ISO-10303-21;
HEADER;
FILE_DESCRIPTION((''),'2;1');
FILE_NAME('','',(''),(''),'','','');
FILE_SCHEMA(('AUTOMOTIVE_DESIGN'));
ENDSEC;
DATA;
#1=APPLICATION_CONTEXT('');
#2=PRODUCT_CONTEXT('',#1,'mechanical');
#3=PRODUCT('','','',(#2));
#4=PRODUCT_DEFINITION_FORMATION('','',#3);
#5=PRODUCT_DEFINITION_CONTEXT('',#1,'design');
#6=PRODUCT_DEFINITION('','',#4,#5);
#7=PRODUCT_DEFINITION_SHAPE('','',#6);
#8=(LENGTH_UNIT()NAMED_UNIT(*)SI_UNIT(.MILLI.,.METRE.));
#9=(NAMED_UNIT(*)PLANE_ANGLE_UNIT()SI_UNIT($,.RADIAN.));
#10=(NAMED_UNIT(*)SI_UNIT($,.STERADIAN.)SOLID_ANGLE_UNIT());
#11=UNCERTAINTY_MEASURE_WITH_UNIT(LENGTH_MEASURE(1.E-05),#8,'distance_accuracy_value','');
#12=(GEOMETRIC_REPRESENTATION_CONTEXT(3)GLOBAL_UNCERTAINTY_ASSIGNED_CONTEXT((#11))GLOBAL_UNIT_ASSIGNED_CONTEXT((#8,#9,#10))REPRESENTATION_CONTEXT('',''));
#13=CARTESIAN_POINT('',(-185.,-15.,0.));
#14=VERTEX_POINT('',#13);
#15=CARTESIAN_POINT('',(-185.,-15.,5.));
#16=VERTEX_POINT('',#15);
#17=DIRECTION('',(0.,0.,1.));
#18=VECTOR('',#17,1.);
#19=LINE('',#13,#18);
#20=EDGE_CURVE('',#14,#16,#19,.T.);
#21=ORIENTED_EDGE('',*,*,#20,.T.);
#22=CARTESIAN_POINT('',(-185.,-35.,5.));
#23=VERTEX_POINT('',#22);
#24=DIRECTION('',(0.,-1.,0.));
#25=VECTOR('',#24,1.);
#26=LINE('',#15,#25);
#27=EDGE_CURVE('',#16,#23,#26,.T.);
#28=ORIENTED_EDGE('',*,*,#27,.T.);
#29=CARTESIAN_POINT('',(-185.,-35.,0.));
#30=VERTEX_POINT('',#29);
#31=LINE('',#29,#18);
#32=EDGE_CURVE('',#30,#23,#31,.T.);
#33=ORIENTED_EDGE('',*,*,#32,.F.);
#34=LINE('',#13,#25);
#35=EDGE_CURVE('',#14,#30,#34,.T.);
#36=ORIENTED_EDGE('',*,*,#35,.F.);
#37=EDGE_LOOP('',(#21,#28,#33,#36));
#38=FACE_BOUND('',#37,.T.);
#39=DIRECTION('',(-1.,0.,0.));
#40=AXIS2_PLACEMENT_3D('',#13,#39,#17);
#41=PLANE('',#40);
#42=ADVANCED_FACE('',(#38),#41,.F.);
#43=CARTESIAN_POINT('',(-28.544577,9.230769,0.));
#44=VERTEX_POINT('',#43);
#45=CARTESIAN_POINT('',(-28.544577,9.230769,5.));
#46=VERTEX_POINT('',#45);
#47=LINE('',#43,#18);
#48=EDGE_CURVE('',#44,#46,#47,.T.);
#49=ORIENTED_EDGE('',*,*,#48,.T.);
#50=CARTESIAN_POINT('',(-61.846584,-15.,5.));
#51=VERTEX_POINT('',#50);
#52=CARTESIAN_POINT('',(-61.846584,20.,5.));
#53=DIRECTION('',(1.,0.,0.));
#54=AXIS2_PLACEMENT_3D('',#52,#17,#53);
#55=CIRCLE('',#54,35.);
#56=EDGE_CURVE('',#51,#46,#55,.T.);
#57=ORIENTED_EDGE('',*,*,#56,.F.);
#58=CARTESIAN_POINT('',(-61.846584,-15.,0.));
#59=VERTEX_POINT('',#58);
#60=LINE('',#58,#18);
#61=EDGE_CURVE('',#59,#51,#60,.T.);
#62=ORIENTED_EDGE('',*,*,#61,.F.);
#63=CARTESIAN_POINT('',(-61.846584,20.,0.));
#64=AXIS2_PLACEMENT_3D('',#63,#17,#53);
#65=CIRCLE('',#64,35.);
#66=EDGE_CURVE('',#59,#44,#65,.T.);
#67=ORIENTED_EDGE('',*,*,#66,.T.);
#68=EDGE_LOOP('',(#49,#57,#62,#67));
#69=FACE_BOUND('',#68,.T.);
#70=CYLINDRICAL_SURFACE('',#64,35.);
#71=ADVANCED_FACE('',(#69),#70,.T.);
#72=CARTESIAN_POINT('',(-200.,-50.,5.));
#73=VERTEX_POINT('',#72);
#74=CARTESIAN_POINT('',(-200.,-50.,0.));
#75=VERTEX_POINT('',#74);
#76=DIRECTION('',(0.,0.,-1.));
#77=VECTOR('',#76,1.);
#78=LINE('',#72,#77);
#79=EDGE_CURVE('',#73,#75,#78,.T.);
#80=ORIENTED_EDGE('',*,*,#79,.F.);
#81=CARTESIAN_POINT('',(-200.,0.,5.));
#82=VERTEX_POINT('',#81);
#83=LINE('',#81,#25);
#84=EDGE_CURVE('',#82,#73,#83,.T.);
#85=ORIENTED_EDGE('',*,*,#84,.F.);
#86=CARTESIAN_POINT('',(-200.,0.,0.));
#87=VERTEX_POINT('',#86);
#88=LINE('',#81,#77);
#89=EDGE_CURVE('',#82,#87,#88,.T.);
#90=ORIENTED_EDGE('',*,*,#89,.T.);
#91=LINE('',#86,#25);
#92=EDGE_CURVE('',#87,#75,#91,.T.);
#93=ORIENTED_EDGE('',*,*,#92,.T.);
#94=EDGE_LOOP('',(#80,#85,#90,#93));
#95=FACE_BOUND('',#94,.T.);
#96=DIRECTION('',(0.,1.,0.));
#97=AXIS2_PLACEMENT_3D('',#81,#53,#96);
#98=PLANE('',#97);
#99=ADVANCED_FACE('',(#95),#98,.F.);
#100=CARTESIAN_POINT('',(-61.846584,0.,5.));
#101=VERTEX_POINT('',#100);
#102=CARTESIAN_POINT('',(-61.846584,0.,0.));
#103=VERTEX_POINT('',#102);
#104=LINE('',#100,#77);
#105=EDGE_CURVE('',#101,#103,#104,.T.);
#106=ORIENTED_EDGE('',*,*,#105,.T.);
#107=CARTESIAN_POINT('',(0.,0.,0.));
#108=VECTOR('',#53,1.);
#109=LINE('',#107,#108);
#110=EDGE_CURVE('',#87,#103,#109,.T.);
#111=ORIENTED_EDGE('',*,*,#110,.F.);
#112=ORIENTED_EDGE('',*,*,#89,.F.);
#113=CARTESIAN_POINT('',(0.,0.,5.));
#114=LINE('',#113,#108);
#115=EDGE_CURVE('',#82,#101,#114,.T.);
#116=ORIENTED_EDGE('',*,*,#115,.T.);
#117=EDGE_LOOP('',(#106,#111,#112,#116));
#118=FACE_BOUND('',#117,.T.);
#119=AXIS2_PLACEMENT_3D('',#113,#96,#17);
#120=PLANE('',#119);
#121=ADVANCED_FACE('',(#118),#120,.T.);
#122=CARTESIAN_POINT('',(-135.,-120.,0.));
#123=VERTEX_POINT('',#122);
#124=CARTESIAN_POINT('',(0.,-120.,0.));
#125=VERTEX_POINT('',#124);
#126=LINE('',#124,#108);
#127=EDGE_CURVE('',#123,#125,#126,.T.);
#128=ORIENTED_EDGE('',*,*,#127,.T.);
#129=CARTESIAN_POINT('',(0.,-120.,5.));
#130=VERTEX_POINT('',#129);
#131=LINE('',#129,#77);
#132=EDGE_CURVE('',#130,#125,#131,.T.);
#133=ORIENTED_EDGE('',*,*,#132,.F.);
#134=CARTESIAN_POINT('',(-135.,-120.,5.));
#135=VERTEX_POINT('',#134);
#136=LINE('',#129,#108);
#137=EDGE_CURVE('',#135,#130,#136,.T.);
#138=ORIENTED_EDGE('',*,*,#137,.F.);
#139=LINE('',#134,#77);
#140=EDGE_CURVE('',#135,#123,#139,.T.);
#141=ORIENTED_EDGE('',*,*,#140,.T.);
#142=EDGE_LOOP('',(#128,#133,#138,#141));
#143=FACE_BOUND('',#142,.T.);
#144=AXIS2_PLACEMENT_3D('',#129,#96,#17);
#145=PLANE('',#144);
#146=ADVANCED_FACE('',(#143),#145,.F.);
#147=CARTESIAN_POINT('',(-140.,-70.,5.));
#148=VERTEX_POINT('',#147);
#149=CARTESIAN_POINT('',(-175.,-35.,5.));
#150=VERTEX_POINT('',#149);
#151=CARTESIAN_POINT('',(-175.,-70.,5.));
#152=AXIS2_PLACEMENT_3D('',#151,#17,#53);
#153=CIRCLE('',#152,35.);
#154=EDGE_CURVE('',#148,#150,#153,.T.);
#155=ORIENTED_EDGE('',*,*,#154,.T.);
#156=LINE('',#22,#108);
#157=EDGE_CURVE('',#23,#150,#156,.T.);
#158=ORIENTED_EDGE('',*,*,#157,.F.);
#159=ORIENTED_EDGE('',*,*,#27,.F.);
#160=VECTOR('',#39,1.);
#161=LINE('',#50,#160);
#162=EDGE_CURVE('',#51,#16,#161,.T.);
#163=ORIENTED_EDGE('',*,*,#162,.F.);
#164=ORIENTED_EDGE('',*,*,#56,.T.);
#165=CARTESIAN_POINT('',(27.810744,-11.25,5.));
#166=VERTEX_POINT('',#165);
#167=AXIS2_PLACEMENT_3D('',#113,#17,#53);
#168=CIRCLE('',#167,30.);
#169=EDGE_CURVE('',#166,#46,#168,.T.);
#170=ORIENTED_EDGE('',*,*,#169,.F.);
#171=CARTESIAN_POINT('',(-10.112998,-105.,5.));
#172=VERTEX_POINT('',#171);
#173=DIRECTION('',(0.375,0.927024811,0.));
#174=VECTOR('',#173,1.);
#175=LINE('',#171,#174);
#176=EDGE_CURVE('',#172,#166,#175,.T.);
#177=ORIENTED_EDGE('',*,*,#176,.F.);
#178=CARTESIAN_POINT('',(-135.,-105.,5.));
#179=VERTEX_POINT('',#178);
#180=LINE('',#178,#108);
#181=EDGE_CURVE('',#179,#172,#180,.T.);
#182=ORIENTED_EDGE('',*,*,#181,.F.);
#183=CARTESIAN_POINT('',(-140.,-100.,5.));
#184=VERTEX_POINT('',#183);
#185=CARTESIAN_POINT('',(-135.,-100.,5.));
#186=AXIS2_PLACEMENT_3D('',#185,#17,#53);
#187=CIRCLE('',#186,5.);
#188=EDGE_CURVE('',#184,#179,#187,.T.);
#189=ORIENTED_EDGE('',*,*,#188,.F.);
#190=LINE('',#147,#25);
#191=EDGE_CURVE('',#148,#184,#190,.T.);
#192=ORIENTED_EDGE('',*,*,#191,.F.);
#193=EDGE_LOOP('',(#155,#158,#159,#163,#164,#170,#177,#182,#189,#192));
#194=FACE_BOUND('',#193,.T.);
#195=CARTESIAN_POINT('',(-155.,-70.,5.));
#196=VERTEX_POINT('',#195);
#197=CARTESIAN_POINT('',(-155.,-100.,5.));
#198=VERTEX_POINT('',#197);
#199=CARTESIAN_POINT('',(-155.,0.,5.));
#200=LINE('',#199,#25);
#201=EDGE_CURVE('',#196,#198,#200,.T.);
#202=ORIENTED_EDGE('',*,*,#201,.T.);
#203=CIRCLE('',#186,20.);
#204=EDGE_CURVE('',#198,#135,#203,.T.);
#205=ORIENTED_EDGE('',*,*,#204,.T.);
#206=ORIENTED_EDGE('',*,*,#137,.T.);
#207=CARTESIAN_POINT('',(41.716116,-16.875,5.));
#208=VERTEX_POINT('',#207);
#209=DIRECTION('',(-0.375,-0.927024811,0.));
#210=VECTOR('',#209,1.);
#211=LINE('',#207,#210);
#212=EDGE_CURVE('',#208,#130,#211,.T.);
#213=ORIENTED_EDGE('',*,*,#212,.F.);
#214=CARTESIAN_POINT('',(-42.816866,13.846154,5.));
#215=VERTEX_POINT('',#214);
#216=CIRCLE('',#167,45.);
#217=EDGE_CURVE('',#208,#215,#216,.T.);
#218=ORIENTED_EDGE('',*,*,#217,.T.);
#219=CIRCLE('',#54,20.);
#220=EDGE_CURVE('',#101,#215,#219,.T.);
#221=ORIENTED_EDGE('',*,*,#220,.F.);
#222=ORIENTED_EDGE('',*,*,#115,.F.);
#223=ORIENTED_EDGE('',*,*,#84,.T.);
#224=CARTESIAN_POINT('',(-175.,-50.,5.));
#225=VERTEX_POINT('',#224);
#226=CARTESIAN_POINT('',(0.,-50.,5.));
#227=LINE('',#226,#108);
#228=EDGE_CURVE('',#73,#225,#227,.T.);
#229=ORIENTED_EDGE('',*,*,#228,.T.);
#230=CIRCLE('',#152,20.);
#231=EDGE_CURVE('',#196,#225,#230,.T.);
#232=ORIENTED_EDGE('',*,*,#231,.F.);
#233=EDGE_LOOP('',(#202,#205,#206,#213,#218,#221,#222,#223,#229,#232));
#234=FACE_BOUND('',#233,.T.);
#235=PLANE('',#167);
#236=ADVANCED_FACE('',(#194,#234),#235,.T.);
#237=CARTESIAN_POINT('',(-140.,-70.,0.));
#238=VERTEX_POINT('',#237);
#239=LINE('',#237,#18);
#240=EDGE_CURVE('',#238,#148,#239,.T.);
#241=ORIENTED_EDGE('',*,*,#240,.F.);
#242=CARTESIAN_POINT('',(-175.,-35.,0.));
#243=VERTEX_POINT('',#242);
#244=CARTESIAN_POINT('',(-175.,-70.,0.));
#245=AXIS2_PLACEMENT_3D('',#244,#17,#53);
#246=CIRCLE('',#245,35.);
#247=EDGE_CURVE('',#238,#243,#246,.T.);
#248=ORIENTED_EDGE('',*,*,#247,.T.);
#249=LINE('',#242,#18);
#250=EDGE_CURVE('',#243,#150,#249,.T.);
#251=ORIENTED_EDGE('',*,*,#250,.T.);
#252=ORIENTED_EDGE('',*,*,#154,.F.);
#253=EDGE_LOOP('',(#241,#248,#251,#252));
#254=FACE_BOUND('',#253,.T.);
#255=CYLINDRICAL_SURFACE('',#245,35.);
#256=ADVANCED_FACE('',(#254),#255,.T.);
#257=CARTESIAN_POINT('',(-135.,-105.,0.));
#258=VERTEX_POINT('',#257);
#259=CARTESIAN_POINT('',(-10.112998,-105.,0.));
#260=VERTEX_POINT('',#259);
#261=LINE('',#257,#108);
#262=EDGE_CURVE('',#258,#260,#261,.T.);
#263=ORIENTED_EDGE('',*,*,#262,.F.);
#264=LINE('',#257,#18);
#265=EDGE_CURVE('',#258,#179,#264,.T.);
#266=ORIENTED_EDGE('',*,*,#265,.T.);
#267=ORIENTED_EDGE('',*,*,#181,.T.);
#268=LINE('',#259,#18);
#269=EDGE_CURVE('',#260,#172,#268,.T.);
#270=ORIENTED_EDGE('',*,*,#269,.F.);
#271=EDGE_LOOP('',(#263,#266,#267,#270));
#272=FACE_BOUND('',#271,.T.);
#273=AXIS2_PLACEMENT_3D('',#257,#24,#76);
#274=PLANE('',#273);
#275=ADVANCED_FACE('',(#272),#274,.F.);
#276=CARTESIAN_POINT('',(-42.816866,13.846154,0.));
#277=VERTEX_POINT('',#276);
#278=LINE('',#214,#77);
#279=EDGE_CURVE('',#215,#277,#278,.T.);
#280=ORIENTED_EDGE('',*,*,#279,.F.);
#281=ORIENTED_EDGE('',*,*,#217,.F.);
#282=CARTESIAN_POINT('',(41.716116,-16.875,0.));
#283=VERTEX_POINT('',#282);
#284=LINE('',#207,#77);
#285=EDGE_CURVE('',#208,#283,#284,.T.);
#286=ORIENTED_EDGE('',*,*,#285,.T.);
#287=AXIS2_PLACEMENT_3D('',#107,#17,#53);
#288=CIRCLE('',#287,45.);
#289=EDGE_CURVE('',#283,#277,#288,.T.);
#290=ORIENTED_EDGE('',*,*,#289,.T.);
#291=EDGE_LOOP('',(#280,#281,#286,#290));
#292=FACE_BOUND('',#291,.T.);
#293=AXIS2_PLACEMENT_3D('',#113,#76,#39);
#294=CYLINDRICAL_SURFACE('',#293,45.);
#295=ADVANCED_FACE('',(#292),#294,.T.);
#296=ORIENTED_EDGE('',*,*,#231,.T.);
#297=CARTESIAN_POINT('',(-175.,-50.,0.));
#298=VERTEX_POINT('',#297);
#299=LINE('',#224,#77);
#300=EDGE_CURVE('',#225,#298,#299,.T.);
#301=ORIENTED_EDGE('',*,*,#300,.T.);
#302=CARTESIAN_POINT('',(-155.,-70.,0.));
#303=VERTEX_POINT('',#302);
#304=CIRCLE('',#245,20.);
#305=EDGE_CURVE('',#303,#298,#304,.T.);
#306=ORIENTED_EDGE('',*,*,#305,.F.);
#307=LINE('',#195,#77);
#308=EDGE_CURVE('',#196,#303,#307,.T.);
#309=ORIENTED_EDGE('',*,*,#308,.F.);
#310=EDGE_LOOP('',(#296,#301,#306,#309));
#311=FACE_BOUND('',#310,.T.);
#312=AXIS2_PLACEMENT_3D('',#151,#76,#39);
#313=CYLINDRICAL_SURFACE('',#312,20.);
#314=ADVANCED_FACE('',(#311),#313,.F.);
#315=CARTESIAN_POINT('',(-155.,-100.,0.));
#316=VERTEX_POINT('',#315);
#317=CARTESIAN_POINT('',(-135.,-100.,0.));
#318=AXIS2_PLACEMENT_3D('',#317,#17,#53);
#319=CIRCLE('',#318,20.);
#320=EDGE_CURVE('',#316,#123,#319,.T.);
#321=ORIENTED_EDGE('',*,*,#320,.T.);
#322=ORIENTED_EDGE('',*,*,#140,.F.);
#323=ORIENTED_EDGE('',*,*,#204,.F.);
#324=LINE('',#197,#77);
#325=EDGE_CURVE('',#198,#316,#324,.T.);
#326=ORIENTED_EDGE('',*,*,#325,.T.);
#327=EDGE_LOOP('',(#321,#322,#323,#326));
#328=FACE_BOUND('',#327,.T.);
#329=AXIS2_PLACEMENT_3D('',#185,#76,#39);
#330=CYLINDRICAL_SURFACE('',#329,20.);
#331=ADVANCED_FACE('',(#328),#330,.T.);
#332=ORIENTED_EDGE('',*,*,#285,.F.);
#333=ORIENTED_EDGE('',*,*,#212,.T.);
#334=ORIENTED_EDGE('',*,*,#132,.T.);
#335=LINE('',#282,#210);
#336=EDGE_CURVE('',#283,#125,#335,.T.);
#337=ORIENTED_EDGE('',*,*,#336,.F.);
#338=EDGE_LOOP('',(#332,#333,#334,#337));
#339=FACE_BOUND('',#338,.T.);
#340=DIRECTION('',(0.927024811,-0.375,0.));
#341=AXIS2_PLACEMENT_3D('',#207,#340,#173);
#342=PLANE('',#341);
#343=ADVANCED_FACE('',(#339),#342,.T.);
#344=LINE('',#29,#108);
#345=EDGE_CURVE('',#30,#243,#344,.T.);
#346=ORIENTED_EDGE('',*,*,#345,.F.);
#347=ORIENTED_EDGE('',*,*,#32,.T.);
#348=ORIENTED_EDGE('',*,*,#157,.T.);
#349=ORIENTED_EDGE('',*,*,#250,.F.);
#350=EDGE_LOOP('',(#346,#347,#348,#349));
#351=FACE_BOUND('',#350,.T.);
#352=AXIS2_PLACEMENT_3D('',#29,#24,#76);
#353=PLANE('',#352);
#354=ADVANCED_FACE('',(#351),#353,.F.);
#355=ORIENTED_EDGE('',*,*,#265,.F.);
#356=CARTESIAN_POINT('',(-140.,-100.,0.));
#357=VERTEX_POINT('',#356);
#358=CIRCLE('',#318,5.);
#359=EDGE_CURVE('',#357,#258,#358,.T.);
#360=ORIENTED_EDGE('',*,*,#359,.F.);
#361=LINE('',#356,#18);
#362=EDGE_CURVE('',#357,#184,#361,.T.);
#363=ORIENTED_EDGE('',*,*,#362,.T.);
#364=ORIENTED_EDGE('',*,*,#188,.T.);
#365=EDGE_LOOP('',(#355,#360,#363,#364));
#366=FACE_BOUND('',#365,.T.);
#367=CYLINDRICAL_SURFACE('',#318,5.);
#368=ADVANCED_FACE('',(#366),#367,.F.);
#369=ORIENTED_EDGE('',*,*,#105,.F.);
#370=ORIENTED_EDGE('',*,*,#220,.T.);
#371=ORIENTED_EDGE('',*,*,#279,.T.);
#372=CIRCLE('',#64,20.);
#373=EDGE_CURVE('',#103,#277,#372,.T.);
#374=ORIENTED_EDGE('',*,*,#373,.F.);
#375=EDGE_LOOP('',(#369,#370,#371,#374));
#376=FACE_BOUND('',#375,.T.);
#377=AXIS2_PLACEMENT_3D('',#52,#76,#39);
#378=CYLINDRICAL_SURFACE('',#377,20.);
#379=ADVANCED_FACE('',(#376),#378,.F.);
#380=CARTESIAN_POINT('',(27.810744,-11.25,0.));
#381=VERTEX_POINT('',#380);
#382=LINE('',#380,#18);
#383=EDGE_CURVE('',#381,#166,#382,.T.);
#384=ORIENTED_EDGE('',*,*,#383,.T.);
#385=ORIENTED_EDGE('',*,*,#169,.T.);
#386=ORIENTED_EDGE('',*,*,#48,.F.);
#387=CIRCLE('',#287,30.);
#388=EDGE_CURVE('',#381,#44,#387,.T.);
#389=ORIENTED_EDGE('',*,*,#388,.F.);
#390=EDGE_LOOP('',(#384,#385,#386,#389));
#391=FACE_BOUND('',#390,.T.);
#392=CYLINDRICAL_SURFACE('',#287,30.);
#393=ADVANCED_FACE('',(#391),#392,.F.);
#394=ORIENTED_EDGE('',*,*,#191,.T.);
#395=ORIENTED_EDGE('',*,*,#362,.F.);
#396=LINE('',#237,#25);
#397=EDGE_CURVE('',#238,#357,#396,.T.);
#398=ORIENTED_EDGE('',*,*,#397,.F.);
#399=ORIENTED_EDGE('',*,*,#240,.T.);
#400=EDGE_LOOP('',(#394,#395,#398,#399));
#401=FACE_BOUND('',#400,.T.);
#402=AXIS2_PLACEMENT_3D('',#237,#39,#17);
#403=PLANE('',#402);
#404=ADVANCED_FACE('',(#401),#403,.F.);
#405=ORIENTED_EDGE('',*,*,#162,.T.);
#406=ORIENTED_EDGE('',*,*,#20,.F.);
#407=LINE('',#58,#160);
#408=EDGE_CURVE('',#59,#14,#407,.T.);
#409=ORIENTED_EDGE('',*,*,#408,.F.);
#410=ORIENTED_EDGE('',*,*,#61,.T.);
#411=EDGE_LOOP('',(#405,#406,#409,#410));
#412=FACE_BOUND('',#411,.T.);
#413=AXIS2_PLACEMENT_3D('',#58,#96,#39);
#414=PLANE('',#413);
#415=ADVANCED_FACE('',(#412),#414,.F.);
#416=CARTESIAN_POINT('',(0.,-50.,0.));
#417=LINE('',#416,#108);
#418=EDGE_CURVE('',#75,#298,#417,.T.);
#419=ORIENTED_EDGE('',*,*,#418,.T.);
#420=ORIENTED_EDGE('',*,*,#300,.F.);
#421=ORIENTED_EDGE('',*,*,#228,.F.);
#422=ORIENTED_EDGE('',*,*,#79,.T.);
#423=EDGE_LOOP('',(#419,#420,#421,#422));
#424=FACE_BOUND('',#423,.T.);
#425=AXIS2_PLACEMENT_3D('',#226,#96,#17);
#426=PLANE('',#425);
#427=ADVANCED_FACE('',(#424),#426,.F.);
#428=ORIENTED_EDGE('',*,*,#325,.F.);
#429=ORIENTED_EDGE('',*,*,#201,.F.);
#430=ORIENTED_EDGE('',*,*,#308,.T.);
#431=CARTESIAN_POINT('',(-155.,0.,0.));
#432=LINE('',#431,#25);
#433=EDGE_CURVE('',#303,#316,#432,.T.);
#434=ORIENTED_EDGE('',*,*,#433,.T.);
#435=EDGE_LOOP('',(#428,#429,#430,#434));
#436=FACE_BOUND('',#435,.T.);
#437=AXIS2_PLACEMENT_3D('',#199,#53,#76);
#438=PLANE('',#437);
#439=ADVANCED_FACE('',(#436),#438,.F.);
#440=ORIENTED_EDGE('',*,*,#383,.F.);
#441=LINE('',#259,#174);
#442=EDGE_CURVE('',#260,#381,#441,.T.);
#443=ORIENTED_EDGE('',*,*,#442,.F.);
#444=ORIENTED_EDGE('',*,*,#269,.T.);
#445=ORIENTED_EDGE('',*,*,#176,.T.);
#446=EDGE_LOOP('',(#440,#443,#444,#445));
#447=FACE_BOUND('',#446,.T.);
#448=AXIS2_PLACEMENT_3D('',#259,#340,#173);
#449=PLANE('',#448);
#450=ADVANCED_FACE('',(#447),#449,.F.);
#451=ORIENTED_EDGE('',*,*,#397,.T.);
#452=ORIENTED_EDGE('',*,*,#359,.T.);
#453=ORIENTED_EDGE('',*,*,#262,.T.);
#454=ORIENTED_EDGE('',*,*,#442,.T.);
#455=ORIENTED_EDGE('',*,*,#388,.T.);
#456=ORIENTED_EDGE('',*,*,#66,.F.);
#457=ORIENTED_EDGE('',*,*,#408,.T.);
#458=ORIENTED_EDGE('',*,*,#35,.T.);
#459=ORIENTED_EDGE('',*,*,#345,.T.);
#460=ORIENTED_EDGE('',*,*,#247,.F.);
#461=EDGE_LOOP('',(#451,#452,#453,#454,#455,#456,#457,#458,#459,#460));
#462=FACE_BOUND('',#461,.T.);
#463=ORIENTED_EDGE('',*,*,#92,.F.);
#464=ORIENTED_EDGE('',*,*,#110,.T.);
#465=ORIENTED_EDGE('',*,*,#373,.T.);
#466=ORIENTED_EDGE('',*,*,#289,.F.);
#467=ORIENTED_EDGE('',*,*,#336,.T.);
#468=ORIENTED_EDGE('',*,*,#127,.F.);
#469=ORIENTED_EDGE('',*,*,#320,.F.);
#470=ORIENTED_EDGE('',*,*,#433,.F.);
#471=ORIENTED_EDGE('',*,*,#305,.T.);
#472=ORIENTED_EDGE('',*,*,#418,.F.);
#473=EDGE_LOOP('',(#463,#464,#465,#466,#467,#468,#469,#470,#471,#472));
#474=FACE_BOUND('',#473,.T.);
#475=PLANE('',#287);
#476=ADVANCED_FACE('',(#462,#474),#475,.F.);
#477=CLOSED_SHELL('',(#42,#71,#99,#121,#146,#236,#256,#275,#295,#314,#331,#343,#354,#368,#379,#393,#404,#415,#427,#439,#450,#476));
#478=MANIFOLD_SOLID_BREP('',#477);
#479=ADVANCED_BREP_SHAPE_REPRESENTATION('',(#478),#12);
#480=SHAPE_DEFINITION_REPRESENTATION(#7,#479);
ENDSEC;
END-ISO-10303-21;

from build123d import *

# Parameters (mm, degrees)
SKETCH1_R           = 20
BOSS_EXTRUDE1_DEPTH = 5
CUT_EXTRUDE1_DEPTH  = 6


with BuildPart() as part:
    # Sketch1 → Boss-Extrude1 (new body)
    with BuildSketch(Plane.XY):
        with BuildLine():
            Line((-135, -120), (0, -120))
            Line((0, -120), (0, -45))
            ThreePointArc((0, -45), (-31.819805153, -31.819805153), (-45, 0))
            Line((-45, 0), (-61.846584492, 0))
            Line((-61.846584492, 0), (-200, 0))
            Line((-200, 0), (-200, -50))
            Line((-200, -50), (-175, -50))
            Line((-175, -50), (-155, -50))
            Line((-155, -50), (-155, -70))
            Line((-155, -70), (-155, -100))
            ThreePointArc((-155, -100), (-135, -80), (-115, -100))
            ThreePointArc((-115, -100), (-120.857864376, -114.142135624), (-135, -120))
        make_face()
        with BuildLine():
            ThreePointArc((-45, 0), (-44.450866059, 7.008602326), (-42.816866375, 13.846153034))
            ThreePointArc((-42.816866375, 13.846153034), (-50.079616665, 3.827848916), (-61.846584492, 0))
            Line((-61.846584492, 0), (-45, 0))
        make_face()
        with Locations((-135, -100)):
            Circle(SKETCH1_R)
        with BuildLine():
            ThreePointArc((-175, -50), (-160.857864376, -55.857864376), (-155, -70))
            Line((-155, -70), (-155, -50))
            Line((-155, -50), (-175, -50))
        make_face()
        with BuildLine():
            Line((0, -120), (41.71611649, -16.875))
            ThreePointArc((41.71611649, -16.875), (25.155764747, -37.312028891), (0, -45))
            Line((0, -45), (0, -120))
        make_face()
        with BuildLine():
            ThreePointArc((0, -45), (25.155764747, -37.312028891), (41.71611649, -16.875))
            ThreePointArc((41.71611649, -16.875), (44.171400487, -8.595776811), (45, 0))
            ThreePointArc((45, 0), (7.008602326, 44.450866059), (-42.816866375, 13.846153034))
            ThreePointArc((-42.816866375, 13.846153034), (-44.450866059, 7.008602326), (-45, 0))
            Line((-45, 0), (0, 0))
            Line((0, 0), (0, -45))
        make_face()
        with BuildLine():
            ThreePointArc((-45, 0), (-31.819805153, -31.819805153), (0, -45))
            Line((0, -45), (0, 0))
            Line((0, 0), (-45, 0))
        make_face()
    extrude(amount=BOSS_EXTRUDE1_DEPTH)

    # Sketch2 → Cut-Extrude1 (cut, through all)
    with BuildSketch(Plane.XY.offset(5)):
        with BuildLine():
            Line((-61.846584384, -15), (-185, -15))
            Line((-185, -15), (-185, -35))
            Line((-185, -35), (-175, -35))
            ThreePointArc((-175, -35), (-150.251262658, -45.251262658), (-140, -70))
            Line((-140, -70), (-140, -100))
            ThreePointArc((-140, -100), (-138.535533906, -103.535533906), (-135, -105))
            Line((-135, -105), (-10.112997937, -105))
            Line((-10.112997937, -105), (27.810744327, -11.25))
            ThreePointArc((27.810744327, -11.25), (10.246955881, 28.195742501), (-28.544577408, 9.230769231))
            ThreePointArc((-28.544577408, 9.230769231), (-41.254390195, -8.301263902), (-61.846584384, -15))
        make_face()
    extrude(amount=-CUT_EXTRUDE1_DEPTH, mode=Mode.SUBTRACT)


solid = part.part
